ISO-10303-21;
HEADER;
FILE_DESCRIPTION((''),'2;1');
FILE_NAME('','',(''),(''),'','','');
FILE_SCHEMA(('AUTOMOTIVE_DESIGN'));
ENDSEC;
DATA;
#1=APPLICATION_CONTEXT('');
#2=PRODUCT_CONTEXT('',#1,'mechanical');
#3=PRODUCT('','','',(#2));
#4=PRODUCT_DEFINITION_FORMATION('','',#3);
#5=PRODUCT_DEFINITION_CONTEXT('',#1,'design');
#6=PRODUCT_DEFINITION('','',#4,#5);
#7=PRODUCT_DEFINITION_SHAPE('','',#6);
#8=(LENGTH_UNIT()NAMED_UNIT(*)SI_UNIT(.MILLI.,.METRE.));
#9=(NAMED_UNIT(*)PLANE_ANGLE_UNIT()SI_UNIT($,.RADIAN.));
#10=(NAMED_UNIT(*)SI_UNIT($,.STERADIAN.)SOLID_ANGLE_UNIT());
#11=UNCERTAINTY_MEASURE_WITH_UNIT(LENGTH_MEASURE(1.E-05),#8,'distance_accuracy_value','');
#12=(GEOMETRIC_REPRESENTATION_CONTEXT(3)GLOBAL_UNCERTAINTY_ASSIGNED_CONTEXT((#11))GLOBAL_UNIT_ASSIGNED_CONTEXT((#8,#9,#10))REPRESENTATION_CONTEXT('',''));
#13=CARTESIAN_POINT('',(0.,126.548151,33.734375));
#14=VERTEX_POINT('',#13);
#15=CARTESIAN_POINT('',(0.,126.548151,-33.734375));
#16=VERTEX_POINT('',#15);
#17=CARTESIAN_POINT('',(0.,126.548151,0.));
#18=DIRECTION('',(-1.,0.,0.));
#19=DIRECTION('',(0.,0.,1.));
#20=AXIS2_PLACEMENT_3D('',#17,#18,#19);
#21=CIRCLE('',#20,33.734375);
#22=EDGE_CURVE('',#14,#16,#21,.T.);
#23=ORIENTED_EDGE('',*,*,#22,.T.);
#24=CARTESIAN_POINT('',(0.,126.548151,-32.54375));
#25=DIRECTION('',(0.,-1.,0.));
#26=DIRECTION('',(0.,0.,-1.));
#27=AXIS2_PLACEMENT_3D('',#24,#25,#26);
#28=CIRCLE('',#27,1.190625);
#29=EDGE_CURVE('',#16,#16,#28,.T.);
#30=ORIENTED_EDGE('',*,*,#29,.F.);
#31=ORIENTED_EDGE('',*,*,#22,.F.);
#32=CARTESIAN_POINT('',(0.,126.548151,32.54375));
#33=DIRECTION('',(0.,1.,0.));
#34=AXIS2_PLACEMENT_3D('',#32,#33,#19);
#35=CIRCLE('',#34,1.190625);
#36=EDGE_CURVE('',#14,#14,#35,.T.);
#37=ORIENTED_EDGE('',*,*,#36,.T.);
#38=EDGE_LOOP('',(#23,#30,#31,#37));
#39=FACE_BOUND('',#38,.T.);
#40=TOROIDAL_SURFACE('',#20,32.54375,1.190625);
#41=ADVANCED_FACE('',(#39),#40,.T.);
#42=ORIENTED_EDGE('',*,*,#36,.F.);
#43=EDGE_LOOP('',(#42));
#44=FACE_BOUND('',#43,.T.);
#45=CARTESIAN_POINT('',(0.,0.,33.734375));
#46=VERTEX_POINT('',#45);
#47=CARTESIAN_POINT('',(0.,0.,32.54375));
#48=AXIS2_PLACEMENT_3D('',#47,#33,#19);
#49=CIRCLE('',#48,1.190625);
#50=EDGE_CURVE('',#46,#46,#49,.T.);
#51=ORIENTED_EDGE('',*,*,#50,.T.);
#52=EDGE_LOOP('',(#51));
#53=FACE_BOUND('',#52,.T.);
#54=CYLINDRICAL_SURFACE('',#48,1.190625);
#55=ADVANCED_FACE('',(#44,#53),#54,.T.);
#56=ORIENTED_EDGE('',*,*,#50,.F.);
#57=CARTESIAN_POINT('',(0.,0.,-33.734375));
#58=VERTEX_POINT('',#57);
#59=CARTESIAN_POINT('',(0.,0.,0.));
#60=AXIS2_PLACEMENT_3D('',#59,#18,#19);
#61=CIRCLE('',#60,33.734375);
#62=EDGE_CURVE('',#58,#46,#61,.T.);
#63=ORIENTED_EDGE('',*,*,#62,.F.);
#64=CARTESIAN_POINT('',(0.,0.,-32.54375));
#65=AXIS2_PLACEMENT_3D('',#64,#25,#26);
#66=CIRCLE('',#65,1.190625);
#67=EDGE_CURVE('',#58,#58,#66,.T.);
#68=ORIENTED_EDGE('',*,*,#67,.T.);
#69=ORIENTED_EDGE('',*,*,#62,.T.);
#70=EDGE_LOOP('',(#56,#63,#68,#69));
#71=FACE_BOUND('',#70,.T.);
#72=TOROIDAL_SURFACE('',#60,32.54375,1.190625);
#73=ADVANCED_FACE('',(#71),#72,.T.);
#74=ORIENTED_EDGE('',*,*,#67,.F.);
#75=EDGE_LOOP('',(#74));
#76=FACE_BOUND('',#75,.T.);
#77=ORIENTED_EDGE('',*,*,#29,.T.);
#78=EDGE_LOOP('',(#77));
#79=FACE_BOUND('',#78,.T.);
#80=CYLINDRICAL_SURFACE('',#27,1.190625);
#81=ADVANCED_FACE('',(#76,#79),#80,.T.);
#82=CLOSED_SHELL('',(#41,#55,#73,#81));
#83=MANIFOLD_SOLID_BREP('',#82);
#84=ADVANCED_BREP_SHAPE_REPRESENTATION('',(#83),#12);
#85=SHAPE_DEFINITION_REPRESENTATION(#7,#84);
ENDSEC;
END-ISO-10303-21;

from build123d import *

# Parameters (mm, degrees)
SKETCH3_R = 1.190625


with BuildPart() as part:
    # Sweep1: sweep along a path in Sketch2
    with BuildLine(Plane(origin=(0, 0, 0), x_dir=(0, 0, -1), z_dir=(1, 0, 0))) as sweep1_path:
        Line((32.54375, 126.548151272), (32.54375, 0))
        ThreePointArc((32.54375, 0), (0, -32.54375), (-32.54375, 0))
        Line((-32.54375, 0), (-32.54375, 126.548151272))
        ThreePointArc((-32.54375, 126.548151272), (0, 159.091901272), (32.54375, 126.548151272))
    # Sketch3 → Sweep1 (sweep)
    with BuildSketch(Plane(origin=(0, 0, 0), x_dir=(1, 0, 0), z_dir=(0, 1, 0))):
        with Locations((0, -32.54375)):
            Circle(SKETCH3_R)
    sweep(path=sweep1_path.line)


solid = part.part
